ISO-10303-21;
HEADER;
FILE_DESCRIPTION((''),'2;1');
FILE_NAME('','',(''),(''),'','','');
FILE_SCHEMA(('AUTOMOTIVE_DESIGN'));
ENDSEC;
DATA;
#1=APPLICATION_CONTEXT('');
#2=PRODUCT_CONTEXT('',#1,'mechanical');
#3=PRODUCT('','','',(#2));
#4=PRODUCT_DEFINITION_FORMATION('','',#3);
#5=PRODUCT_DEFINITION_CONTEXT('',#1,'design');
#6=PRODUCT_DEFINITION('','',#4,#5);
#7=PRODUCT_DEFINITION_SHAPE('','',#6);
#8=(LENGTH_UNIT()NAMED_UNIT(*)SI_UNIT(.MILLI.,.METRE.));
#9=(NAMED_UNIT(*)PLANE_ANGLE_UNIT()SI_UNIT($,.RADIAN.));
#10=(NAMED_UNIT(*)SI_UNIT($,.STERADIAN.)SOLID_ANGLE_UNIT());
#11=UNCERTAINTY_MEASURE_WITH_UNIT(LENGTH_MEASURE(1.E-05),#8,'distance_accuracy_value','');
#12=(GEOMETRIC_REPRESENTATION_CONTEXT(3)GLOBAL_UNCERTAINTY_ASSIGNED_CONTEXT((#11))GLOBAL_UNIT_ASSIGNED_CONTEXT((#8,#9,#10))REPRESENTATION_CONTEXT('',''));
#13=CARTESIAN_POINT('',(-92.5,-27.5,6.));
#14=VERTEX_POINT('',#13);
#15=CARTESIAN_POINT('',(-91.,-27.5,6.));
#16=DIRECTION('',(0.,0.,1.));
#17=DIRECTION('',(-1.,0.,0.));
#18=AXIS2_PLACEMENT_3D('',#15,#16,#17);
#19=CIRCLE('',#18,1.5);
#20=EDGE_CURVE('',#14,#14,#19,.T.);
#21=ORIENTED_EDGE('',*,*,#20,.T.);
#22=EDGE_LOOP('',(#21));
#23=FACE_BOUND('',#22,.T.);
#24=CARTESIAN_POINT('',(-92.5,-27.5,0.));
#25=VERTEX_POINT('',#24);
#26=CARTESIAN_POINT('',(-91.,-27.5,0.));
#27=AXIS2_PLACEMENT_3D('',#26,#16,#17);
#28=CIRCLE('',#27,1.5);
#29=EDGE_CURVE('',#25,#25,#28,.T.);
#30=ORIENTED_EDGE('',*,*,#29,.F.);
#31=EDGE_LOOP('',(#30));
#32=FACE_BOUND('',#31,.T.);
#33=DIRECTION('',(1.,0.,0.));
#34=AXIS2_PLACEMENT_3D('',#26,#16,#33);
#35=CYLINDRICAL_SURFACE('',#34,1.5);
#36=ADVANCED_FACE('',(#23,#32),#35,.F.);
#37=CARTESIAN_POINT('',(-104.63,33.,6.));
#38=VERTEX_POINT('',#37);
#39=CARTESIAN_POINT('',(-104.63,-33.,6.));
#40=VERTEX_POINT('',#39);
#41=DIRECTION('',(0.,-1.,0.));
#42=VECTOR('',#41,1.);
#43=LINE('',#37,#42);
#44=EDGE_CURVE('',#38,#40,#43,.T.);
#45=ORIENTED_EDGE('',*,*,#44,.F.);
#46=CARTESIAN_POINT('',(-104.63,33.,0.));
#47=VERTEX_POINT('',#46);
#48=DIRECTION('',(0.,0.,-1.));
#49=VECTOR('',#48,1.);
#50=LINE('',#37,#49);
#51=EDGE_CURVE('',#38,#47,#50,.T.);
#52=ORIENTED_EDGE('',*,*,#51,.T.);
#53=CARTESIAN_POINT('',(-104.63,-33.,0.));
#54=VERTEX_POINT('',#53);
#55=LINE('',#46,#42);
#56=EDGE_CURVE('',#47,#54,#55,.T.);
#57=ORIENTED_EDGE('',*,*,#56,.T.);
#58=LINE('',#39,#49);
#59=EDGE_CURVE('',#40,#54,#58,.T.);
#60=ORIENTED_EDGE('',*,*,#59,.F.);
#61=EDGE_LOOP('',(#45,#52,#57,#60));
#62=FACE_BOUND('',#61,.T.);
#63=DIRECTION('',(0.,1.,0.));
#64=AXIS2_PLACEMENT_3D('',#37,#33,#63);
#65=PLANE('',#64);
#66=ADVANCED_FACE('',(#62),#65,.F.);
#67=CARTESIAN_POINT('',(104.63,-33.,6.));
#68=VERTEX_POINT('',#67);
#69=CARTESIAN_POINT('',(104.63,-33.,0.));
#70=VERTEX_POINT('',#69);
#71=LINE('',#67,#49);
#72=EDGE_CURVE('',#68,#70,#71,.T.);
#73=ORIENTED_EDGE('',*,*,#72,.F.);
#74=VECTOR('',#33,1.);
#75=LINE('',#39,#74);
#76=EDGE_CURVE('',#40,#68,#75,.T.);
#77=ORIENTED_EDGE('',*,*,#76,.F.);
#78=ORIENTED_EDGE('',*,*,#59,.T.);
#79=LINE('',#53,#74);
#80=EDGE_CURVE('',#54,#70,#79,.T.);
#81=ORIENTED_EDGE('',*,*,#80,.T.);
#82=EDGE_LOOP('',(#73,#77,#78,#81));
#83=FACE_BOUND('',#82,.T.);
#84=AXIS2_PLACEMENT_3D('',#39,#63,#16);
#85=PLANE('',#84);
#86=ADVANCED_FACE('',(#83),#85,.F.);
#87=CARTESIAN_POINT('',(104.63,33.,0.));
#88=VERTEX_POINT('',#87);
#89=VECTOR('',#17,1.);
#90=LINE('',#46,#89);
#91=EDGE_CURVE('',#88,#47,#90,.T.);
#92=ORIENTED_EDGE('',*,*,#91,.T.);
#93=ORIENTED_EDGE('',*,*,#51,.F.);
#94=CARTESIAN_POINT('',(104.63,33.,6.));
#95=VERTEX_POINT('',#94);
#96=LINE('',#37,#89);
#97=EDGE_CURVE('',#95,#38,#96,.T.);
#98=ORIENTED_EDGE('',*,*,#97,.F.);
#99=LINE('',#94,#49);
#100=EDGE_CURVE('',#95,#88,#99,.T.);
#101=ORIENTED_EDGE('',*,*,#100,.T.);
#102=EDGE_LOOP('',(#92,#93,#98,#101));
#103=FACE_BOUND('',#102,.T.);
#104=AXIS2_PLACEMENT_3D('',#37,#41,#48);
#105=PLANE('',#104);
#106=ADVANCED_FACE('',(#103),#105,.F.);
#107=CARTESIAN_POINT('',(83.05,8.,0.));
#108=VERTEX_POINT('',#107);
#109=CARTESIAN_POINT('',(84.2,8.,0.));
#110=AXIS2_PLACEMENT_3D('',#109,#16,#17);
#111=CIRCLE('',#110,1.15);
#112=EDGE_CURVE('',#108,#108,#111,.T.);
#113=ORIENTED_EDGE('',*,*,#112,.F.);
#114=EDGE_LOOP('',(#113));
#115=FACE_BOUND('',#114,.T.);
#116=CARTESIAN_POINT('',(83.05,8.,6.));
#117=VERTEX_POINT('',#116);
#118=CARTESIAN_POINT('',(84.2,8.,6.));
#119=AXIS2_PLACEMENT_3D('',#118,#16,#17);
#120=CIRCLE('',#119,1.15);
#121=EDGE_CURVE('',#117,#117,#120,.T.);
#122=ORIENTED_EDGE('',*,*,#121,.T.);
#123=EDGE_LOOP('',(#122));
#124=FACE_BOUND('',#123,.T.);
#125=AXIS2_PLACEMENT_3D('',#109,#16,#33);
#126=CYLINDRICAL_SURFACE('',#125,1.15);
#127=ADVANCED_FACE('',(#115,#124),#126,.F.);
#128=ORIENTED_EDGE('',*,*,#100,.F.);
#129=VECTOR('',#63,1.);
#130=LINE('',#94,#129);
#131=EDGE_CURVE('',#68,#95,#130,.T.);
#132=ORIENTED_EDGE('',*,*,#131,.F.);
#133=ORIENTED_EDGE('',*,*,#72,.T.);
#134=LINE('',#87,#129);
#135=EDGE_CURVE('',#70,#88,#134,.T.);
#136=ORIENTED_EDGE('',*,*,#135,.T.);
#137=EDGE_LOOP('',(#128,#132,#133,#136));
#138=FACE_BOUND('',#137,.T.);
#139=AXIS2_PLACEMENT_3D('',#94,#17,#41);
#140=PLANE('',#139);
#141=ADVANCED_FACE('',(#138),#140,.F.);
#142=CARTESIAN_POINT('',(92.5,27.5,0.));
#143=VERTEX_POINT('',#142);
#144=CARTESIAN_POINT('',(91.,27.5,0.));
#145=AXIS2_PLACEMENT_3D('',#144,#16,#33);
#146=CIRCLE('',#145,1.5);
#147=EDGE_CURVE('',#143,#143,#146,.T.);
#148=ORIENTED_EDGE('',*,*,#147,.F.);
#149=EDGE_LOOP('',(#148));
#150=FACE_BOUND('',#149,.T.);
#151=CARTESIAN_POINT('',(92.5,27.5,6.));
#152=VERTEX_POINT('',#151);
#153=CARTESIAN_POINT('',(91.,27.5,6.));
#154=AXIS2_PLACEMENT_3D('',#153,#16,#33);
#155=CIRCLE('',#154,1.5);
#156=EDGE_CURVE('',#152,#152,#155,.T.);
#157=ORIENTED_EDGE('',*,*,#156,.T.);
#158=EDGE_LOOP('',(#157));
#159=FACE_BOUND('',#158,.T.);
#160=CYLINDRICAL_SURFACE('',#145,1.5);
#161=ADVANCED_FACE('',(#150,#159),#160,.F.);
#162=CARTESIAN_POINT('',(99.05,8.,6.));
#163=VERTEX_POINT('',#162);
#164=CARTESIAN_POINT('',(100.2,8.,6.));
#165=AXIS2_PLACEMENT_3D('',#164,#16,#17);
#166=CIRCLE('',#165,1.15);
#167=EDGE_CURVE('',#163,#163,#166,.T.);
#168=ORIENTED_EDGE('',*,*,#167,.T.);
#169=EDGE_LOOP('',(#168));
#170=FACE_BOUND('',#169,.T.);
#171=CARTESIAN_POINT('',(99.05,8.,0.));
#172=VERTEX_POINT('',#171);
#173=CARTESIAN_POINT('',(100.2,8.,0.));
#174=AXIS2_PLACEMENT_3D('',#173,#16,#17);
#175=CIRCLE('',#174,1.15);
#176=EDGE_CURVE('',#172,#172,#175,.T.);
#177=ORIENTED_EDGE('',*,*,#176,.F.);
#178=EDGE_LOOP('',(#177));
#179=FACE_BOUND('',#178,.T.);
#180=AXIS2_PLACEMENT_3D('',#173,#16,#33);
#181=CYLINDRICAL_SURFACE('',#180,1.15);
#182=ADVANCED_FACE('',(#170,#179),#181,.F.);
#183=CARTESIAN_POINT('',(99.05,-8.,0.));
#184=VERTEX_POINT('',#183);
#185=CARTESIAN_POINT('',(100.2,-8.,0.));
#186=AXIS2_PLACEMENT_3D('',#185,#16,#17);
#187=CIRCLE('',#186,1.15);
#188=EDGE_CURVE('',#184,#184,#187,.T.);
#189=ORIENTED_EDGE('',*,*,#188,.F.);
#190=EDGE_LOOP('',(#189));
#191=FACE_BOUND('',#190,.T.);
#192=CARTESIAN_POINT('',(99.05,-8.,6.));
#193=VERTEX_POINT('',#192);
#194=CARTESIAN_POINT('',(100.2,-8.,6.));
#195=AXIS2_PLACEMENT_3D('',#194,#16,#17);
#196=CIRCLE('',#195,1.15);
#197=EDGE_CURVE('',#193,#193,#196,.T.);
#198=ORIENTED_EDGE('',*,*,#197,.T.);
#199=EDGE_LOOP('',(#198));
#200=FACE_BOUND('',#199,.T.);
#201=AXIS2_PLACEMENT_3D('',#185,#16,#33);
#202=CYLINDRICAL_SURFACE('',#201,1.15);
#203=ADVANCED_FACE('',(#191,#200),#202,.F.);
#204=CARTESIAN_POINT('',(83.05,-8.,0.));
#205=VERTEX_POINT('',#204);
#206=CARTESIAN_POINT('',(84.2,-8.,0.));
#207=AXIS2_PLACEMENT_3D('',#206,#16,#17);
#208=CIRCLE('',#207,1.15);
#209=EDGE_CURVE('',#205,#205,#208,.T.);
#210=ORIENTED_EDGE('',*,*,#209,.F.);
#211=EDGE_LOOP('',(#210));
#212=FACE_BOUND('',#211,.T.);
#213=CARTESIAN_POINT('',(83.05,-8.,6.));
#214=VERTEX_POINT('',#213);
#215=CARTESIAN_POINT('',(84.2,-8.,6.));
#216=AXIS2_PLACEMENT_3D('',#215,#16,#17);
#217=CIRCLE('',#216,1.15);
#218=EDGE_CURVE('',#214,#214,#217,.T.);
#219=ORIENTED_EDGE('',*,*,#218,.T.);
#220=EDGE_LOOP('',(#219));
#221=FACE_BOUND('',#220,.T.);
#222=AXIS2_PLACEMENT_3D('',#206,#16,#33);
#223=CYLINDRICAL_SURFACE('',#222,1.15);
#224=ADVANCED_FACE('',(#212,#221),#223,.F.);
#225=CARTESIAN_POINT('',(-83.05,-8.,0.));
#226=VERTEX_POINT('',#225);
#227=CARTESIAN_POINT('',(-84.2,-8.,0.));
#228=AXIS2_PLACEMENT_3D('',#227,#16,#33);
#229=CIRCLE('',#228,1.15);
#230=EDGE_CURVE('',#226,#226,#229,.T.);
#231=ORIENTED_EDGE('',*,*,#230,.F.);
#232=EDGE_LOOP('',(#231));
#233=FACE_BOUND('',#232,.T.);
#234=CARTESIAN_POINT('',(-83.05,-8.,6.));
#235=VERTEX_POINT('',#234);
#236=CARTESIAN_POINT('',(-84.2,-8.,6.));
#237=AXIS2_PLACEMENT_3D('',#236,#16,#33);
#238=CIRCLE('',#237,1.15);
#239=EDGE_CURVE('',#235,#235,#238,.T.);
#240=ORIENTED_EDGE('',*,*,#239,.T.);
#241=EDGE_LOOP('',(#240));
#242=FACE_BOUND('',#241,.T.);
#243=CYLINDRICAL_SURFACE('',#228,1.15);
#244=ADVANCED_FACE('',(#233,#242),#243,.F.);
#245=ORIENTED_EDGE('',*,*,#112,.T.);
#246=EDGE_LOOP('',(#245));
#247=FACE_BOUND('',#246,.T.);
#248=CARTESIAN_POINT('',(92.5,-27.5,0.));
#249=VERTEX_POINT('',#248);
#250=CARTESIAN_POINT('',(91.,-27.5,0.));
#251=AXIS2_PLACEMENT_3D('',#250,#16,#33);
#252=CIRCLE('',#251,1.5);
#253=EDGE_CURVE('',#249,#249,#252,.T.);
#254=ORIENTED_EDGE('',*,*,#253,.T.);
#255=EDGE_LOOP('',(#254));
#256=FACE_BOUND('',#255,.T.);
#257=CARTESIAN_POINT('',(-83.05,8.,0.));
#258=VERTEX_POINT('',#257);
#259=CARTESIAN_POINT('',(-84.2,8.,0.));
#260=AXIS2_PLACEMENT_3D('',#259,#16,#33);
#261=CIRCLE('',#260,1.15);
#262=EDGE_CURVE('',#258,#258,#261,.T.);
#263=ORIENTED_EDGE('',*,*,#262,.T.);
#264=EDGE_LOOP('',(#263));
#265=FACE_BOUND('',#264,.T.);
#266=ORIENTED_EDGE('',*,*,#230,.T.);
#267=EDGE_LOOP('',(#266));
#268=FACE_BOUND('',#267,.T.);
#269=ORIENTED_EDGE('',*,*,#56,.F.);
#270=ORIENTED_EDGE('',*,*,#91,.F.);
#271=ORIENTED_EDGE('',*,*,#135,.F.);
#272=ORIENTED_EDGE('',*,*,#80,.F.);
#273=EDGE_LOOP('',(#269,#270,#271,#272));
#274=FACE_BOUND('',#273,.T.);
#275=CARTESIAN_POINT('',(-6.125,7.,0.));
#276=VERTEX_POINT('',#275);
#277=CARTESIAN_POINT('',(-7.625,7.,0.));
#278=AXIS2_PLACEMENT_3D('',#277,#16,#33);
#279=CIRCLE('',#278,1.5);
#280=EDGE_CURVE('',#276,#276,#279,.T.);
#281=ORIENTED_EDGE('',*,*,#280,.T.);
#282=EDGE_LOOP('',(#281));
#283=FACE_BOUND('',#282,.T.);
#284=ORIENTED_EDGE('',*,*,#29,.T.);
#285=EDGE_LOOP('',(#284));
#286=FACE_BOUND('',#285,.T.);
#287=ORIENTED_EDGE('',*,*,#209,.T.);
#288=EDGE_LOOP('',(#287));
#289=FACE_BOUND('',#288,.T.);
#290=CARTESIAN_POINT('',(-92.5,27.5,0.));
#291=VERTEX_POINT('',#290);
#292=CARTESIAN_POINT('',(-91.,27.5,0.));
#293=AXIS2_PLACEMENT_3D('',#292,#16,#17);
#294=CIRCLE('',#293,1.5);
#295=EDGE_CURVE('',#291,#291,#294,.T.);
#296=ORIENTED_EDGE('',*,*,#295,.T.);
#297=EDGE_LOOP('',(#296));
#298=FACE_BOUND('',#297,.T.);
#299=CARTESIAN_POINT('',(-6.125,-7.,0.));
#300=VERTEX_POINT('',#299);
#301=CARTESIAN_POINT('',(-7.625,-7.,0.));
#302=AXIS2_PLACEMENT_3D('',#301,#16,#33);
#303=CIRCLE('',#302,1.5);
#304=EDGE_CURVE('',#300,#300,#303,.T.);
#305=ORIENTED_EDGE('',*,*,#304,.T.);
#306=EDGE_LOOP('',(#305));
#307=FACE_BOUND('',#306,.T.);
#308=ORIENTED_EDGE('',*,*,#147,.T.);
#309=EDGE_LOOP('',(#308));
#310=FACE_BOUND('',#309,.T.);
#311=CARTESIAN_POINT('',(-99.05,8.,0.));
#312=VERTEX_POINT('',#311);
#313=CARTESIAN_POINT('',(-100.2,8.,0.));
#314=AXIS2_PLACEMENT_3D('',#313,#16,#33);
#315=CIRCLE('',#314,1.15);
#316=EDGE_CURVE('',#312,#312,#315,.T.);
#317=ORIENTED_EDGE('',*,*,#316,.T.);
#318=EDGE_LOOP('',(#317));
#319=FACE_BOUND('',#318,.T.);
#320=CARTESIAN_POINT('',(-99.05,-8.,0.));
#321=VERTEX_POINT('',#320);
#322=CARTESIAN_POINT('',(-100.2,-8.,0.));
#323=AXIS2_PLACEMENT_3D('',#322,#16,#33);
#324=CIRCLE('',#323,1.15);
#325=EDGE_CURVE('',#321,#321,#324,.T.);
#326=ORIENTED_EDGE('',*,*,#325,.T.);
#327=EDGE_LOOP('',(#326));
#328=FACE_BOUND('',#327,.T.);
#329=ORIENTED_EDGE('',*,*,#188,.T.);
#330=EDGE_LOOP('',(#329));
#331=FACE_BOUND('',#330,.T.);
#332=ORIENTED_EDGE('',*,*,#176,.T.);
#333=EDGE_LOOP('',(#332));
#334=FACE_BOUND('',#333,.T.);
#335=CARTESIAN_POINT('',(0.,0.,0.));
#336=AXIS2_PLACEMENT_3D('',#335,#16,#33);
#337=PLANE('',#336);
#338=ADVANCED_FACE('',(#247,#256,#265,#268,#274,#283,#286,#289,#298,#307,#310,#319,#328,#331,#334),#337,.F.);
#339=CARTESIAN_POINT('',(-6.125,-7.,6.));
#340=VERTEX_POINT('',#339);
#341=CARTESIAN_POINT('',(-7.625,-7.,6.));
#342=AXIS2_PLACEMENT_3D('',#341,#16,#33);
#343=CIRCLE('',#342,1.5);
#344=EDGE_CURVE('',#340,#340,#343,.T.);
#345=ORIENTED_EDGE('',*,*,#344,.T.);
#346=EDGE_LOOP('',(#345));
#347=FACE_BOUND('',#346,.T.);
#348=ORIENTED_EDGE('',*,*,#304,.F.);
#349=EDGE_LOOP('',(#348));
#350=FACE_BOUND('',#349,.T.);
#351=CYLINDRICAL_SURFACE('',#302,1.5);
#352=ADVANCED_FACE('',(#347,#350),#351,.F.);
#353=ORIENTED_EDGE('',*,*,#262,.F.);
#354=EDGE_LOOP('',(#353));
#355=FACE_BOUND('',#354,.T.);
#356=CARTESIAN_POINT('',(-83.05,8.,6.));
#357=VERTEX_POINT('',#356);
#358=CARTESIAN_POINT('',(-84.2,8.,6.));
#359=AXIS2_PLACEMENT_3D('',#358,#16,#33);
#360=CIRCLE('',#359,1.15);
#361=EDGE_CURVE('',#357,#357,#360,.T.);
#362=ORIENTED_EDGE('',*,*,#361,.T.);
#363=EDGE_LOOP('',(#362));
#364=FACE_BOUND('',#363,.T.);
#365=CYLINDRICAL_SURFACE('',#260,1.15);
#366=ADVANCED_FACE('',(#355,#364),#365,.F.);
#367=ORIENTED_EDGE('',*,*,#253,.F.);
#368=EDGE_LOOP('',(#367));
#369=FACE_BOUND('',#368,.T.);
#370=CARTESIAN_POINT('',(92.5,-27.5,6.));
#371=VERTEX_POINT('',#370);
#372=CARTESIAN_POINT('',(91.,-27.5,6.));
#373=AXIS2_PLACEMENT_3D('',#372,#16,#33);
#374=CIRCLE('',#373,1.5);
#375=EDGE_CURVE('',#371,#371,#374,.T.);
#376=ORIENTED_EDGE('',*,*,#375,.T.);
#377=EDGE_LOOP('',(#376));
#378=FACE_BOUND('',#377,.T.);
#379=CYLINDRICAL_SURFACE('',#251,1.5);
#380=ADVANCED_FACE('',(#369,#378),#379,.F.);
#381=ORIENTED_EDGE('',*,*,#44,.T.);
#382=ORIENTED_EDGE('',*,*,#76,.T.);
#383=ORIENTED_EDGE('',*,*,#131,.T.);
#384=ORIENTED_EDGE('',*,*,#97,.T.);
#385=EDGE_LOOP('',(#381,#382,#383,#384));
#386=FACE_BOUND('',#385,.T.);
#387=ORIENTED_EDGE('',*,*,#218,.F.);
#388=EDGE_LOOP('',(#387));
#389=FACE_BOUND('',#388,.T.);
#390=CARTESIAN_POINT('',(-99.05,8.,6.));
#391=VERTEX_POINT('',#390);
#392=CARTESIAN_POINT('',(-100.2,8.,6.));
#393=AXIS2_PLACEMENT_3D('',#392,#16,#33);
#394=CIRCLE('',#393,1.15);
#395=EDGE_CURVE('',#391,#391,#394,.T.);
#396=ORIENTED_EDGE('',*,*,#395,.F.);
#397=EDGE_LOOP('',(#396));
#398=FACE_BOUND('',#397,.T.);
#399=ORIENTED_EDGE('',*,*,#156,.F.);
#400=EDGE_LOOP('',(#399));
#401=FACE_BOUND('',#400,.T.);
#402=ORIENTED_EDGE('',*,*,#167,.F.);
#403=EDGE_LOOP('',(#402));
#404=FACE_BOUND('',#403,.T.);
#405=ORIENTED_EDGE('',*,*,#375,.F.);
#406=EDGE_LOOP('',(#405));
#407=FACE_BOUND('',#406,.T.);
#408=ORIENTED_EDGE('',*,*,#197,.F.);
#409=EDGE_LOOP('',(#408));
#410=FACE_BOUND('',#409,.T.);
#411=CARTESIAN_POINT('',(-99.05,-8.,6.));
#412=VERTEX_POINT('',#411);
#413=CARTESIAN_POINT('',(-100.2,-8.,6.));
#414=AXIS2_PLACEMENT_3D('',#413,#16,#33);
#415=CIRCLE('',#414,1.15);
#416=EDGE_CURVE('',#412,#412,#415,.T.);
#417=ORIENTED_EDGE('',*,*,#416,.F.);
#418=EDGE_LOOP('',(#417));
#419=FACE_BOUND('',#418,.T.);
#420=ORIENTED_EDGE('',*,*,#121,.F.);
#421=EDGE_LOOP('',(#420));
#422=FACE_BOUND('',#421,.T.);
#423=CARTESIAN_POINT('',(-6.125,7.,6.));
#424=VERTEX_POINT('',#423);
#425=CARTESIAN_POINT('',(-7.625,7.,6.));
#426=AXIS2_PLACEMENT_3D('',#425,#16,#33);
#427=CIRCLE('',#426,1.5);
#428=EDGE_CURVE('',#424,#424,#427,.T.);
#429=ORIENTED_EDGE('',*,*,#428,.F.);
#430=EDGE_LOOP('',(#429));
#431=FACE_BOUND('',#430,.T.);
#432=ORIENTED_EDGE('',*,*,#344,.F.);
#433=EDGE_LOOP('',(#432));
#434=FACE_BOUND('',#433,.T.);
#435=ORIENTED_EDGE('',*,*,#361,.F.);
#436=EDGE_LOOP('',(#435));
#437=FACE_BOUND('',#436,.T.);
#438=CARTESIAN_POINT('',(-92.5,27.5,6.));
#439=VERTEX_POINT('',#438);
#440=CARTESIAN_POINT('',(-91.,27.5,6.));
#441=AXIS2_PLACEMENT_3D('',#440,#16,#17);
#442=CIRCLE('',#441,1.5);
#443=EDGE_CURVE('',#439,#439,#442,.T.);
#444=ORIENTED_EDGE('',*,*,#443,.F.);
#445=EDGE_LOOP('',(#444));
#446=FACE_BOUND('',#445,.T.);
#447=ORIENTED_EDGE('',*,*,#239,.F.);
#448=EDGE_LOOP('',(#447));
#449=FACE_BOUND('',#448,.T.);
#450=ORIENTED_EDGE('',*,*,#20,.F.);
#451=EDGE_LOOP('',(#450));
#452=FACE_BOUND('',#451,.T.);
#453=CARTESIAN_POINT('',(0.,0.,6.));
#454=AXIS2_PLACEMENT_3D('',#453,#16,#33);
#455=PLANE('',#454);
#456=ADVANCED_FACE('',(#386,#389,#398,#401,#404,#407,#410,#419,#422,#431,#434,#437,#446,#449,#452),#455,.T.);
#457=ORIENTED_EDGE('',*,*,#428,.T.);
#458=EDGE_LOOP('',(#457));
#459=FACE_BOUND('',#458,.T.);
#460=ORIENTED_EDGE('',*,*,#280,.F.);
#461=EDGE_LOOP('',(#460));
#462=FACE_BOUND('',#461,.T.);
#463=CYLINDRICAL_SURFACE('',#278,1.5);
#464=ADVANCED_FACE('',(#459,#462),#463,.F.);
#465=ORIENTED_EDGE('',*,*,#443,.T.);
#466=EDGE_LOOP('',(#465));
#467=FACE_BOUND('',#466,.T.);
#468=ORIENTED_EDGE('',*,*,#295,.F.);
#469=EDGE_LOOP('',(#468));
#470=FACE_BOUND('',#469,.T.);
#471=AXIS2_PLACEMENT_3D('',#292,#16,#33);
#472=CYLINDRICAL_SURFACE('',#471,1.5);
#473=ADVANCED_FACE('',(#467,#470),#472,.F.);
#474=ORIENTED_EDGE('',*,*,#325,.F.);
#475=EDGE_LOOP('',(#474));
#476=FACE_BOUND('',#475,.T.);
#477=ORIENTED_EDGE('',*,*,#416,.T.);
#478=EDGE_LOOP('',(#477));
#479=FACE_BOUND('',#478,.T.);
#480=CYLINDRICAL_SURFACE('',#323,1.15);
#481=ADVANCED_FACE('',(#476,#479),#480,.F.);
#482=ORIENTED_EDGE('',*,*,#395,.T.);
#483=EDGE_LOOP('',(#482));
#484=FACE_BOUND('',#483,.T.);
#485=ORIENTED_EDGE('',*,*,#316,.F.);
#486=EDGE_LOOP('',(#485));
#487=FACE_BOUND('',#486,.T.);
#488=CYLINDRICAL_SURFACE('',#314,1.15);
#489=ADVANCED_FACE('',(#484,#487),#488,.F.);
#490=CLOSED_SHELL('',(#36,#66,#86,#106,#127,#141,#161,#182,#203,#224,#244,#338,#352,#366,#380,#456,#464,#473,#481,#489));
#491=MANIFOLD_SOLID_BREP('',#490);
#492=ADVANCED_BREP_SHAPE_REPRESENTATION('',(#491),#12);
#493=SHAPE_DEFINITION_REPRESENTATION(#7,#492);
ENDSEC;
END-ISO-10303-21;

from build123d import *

# Parameters (mm, degrees)
ESQUISSE1_W             = 209.26
ESQUISSE1_H             = 66
BOSS_EXTRU_1_DEPTH      = 6
ESQUISSE2_R             = 1.15
ESQUISSE2_R_2           = 1.5
ENL_V_MAT_EXTRU_1_DEPTH = 6


with BuildPart() as part:
    # Esquisse1 → Boss.-Extru.1 (new body)
    with BuildSketch(Plane.XY):
        Rectangle(ESQUISSE1_W, ESQUISSE1_H)
    extrude(amount=BOSS_EXTRU_1_DEPTH)

    # Esquisse2 → Enlèv. mat.-Extru.1 (cut)
    with BuildSketch(Plane.XY.offset(6)):
        with Locations((-100.2, 8)):
            Circle(ESQUISSE2_R)
        with Locations((-84.2, 8)):
            Circle(ESQUISSE2_R)
        with Locations((-84.2, -8)):
            Circle(ESQUISSE2_R)
        with Locations((-100.2, -8)):
            Circle(ESQUISSE2_R)
        with Locations((100.2, -8)):
            Circle(ESQUISSE2_R)
        with Locations((84.2, -8)):
            Circle(ESQUISSE2_R)
        with Locations((84.2, 8)):
            Circle(ESQUISSE2_R)
        with Locations((100.2, 8)):
            Circle(ESQUISSE2_R)
        with Locations((-7.625, 7)):
            Circle(ESQUISSE2_R_2)
        with Locations((-7.625, -7)):
            Circle(ESQUISSE2_R_2)
        with Locations((91, 27.5)):
            Circle(ESQUISSE2_R_2)
        with Locations((91, -27.5)):
            Circle(ESQUISSE2_R_2)
        with Locations((-91, -27.5)):
            Circle(ESQUISSE2_R_2)
        with Locations((-91, 27.5)):
            Circle(ESQUISSE2_R_2)
    extrude(amount=-ENL_V_MAT_EXTRU_1_DEPTH, mode=Mode.SUBTRACT)


solid = part.part
